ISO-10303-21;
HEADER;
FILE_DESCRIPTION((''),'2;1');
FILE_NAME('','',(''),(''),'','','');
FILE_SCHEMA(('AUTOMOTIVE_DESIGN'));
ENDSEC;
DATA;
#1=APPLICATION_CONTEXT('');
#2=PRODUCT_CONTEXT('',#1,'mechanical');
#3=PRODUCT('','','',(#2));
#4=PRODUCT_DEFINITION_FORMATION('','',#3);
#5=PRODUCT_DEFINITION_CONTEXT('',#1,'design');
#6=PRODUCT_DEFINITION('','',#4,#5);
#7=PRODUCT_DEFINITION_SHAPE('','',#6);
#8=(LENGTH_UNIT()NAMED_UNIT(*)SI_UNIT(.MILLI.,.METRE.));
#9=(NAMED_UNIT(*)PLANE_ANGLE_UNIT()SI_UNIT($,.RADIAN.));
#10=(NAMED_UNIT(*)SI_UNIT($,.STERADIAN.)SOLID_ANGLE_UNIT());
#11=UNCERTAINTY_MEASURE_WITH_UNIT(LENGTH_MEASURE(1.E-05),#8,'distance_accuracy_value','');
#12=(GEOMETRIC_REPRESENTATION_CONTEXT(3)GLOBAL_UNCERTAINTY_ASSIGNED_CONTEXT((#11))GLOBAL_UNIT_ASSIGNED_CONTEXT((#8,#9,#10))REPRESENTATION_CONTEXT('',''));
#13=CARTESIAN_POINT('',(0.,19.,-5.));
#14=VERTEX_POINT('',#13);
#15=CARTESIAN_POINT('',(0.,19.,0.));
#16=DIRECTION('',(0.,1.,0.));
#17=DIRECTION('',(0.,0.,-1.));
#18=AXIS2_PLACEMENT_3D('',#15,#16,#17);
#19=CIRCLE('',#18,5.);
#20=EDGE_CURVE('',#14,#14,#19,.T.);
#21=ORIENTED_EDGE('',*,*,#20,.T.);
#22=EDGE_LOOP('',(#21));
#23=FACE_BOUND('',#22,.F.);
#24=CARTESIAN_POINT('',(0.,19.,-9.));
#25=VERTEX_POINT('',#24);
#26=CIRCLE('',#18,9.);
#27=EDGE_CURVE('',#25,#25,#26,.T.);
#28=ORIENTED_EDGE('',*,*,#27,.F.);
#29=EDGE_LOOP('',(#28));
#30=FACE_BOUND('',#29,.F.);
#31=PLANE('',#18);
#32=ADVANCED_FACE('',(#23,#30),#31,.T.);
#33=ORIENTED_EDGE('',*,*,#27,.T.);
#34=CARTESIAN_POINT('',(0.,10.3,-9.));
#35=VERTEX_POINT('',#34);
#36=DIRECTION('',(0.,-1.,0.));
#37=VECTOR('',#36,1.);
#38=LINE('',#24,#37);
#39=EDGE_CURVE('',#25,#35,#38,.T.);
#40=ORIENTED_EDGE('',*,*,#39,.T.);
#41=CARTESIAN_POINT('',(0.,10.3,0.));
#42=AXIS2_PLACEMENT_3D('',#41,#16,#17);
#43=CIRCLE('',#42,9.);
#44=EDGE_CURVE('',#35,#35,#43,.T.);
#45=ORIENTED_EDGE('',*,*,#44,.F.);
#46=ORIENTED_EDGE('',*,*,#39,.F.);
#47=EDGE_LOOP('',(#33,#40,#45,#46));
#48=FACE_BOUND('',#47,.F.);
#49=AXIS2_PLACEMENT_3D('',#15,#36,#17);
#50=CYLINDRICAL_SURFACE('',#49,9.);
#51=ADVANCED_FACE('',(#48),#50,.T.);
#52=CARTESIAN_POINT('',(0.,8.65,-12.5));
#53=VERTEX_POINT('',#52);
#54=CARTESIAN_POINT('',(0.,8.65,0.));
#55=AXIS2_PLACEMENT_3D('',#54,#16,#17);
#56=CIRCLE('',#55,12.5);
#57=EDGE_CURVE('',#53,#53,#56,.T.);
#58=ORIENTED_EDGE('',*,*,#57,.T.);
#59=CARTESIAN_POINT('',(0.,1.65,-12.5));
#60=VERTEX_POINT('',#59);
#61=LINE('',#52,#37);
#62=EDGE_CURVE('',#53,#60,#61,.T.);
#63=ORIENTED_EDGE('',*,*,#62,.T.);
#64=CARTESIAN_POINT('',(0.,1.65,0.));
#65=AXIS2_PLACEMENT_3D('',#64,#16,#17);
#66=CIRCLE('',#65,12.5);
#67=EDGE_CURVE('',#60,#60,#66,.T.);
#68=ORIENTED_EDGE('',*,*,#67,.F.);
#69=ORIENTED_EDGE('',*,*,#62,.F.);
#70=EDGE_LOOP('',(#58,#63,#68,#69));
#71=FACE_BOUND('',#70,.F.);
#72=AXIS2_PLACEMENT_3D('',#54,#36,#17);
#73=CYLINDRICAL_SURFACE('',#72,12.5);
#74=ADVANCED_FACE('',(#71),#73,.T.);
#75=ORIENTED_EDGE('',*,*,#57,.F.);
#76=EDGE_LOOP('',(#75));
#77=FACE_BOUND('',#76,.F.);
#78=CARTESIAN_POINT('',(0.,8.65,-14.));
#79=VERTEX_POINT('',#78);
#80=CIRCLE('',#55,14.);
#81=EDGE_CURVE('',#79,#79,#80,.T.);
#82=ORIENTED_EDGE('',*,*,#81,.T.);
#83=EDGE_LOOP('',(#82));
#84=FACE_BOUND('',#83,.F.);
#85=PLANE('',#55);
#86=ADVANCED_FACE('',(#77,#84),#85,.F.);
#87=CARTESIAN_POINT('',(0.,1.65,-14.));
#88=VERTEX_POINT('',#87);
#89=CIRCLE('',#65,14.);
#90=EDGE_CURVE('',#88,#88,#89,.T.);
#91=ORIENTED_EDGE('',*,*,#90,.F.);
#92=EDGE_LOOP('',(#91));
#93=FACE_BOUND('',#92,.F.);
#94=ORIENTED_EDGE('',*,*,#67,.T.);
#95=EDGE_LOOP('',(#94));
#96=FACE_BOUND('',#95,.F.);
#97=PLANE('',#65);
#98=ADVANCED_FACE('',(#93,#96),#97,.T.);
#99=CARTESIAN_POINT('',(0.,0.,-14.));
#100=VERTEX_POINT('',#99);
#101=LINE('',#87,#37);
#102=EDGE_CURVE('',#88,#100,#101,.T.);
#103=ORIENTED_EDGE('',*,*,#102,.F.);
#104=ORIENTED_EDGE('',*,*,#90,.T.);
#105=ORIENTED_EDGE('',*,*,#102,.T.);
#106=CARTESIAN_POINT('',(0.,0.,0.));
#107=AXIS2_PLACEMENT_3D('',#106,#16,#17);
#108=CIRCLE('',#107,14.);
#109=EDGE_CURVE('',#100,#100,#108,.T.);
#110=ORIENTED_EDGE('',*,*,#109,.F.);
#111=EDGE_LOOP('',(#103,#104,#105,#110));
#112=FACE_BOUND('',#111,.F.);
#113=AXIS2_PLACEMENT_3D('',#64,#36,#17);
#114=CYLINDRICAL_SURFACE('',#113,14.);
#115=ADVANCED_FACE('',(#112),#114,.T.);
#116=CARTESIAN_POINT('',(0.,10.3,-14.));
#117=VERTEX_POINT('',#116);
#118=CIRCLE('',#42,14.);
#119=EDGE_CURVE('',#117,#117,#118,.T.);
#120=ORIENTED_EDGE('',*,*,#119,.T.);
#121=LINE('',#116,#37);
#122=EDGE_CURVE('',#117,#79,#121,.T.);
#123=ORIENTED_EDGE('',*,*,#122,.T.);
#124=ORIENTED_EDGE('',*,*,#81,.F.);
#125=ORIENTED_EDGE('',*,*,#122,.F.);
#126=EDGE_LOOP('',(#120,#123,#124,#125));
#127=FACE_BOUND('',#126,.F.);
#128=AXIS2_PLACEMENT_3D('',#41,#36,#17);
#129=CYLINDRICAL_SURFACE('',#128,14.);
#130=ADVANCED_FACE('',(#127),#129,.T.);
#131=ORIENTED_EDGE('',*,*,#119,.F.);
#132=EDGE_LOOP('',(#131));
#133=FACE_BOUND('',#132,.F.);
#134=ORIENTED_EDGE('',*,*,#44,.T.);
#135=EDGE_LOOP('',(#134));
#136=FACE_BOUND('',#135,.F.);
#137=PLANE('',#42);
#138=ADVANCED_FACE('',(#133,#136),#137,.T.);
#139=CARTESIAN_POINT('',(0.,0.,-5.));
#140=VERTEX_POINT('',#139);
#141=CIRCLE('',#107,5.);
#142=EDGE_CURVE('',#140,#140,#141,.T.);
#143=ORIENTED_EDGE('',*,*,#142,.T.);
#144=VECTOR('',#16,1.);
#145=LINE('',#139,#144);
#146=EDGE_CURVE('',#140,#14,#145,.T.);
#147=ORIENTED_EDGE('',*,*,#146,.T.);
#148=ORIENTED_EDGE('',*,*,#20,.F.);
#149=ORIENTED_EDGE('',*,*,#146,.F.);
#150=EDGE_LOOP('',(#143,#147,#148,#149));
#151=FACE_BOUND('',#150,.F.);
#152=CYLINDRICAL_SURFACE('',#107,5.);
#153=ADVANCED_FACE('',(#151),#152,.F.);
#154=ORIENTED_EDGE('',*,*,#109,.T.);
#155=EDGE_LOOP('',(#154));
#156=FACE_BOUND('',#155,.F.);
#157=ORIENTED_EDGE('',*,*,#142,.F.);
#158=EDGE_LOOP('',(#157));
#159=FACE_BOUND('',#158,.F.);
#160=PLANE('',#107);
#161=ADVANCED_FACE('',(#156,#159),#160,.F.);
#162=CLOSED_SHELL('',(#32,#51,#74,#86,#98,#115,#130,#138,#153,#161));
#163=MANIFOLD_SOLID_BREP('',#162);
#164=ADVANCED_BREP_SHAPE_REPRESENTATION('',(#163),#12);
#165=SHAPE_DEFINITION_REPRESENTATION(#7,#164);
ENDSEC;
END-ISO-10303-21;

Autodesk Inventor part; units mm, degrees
ref_plane "YZ Plane" through (0, 0, 0) normal (1, 0, 0) x (0, 1, 0)
ref_plane "XZ Plane" through (0, 0, 0) normal (0, 1, 0) x (-1, 0, 0)
ref_plane "XY Plane" through (0, 0, 0) normal (0, 0, 1) x (1, 0, 0)
sketch "Sketch1" plane through (0, 0, 0) normal (1, 0, 0) x (0, 1, 0)
  line L0 (0, 0) -> (19, 0)
  line L1 (19, 0) -> (19, -9)
  line L2 (19, -9) -> (10.3, -9)
  line L3 (10.3, -9) -> (10.3, -14)
  line L4 (10.3, -14) -> (8.65, -14)
  line L5 (8.65, -14) -> (8.65, -12.5)
  line L6 (8.65, -12.5) -> (1.65, -12.5)
  line L7 (1.65, -12.5) -> (1.65, -14)
  line L8 (1.65, -14) -> (0, -14)
  line L9 (0, -14) -> (0, 0)
  line L10 (0, -5) -> (19, -5)
  point P0 (14.65, -9)
  point P1 (9.5, -5)
  dimension "d0" = 19
  dimension "d1" = 18
  dimension "d2" = 28
  dimension "d3" = 7
  dimension "d4" = 8.7
  dimension "d5" = 10
  dimension "d6" = 25
revolve "Revolution1" add sketch "Sketch1" angle 360 about axis through (0, 0, 0) along (0, 1, 0) contours L10 L1 L2 L3 L4 L5 L6 L7 L8 L9
properties part number "Z Axis Belt Pulley" material "Aluminum 6061"
